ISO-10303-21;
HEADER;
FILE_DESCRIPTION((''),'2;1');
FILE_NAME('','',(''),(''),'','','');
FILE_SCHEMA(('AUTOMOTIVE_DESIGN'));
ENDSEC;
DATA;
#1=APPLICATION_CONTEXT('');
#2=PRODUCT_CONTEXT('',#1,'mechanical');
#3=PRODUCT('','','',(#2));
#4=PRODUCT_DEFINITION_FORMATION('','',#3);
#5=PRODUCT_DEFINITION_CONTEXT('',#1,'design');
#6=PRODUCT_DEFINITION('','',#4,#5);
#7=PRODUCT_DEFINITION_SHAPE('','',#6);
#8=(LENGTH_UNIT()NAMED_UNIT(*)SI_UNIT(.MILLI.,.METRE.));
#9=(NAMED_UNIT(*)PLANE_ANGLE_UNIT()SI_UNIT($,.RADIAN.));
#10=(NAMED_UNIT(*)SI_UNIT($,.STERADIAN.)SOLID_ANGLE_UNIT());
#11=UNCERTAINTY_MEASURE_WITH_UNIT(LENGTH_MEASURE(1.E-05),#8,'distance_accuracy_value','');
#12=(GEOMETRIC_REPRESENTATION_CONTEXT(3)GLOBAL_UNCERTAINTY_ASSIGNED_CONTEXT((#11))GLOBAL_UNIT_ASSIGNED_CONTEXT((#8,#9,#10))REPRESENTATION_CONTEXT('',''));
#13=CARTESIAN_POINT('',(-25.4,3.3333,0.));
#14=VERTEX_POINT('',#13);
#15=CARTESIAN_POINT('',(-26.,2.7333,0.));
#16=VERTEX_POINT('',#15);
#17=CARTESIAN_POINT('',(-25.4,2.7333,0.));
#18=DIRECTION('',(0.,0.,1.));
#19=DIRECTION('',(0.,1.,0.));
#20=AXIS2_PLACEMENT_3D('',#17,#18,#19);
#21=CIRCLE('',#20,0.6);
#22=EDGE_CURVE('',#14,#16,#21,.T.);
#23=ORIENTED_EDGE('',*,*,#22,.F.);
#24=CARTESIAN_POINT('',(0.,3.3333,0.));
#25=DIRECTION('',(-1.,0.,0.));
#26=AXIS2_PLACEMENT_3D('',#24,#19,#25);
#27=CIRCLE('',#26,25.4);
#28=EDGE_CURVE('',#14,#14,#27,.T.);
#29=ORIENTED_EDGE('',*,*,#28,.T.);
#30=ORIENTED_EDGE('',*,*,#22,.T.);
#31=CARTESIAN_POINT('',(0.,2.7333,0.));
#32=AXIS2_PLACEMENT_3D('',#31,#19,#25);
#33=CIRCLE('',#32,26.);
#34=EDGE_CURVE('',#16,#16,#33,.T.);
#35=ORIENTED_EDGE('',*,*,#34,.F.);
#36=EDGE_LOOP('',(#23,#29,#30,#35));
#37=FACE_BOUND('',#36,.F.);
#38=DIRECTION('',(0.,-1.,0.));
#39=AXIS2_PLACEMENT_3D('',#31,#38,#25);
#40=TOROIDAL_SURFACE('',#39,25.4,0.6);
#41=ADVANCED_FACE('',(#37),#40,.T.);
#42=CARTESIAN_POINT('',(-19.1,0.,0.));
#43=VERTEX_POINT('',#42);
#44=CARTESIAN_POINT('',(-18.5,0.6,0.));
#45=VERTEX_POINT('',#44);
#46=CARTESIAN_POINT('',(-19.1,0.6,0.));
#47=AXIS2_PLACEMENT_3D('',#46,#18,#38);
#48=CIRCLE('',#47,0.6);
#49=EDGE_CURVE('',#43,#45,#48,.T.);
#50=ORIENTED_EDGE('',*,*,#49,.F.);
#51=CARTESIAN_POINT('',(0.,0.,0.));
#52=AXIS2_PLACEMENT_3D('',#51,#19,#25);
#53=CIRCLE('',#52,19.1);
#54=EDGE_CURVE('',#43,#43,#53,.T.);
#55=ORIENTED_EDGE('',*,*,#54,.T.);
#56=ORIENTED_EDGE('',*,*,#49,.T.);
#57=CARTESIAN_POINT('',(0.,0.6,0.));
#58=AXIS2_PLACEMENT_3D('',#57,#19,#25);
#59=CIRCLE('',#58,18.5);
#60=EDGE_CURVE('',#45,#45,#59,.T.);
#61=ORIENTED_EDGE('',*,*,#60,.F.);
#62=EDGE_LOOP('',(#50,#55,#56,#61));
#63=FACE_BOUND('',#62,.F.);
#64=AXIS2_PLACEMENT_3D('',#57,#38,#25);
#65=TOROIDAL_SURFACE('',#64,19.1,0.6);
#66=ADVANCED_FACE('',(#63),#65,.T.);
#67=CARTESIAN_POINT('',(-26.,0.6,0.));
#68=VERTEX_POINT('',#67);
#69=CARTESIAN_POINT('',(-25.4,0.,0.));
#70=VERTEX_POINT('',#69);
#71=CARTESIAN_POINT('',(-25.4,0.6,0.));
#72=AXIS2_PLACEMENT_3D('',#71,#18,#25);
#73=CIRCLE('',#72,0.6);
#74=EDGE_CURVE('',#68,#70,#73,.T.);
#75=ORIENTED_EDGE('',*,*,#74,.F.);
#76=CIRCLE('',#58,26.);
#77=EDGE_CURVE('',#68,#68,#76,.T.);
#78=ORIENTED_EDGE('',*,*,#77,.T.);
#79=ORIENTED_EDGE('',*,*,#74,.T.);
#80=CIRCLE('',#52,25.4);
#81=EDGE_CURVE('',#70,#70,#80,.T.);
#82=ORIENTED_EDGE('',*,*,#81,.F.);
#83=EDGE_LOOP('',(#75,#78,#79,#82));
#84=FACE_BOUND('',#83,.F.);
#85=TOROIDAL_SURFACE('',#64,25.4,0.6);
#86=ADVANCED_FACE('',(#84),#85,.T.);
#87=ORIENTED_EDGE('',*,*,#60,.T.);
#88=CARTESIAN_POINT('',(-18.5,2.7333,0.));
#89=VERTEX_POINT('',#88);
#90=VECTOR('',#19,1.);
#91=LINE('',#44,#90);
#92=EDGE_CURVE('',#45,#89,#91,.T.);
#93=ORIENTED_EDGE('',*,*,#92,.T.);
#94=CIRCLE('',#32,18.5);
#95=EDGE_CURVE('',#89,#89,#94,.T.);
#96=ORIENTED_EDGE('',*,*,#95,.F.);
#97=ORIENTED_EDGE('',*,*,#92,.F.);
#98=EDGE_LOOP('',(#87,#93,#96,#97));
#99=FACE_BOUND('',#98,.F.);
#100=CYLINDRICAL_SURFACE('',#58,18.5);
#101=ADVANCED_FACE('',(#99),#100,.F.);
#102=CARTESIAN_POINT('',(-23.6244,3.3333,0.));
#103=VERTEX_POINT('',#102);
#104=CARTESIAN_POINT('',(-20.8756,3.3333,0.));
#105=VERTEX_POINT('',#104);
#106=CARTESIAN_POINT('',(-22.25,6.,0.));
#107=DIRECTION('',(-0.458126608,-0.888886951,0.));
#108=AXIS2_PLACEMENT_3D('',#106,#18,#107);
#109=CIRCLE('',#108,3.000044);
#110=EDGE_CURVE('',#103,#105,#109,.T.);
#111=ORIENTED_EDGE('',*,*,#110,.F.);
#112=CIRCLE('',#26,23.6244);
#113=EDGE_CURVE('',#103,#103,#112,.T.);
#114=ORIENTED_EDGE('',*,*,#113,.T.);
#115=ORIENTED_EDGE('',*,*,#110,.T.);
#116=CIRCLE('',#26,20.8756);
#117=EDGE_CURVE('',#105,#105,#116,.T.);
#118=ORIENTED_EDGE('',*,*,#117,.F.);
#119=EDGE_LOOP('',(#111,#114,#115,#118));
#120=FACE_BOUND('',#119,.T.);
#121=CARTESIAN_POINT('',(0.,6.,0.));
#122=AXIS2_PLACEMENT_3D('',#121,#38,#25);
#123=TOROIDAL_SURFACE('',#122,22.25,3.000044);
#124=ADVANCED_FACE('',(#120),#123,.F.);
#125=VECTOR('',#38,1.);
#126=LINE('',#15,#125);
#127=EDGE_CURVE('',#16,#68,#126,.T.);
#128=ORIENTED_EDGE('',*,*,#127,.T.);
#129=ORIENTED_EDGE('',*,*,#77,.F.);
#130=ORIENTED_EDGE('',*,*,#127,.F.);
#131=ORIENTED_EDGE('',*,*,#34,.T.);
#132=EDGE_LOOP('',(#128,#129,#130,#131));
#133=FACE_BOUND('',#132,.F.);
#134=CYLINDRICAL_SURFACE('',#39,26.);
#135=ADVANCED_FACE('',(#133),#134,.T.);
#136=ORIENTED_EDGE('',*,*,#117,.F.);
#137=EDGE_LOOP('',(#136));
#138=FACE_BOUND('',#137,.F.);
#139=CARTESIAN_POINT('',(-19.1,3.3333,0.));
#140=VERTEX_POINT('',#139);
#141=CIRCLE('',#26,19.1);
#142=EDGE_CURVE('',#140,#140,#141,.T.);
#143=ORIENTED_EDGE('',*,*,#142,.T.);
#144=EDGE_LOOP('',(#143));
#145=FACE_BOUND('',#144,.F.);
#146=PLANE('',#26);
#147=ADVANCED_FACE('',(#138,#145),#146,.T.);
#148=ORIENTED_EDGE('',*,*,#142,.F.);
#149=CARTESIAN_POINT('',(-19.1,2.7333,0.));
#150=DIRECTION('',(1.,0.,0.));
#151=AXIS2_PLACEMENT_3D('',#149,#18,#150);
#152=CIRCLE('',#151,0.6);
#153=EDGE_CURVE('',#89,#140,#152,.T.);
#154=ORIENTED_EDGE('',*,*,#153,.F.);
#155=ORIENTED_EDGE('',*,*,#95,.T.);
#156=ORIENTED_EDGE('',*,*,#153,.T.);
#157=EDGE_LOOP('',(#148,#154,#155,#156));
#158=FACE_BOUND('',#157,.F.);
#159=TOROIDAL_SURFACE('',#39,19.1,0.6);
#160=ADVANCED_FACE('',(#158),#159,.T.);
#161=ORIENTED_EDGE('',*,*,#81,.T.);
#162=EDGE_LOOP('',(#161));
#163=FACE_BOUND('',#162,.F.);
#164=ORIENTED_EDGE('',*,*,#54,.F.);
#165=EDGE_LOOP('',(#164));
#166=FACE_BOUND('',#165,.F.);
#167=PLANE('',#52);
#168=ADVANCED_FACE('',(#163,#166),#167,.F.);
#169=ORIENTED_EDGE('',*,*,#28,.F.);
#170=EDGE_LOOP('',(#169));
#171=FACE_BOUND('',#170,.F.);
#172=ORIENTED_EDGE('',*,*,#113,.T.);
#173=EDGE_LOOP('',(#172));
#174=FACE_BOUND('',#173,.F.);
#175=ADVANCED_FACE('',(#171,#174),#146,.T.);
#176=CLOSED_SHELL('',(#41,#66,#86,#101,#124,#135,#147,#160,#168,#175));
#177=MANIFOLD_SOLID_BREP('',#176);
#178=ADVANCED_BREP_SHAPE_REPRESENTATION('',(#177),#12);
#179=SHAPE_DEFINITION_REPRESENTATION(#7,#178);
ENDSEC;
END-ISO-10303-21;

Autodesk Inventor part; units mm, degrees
sketch "Sketch_1" plane through (0, 0, 0) normal (0, 0, 1) x (0, 1, 0)
  line L0 (3.3333, 0) -> (0, 0)
  arc A0 (0, 19.1) -> (0.6, 18.5) centre (0.6, 19.1) ccw
  line L1 (0.6, 18.5) -> (2.7333, 18.5)
  arc A1 (2.7333, 18.5) -> (3.3333, 19.1) centre (2.7333, 19.1) ccw
  line L2 (3.3333, 19.1) -> (3.3333, 20.8756)
  arc A2 (3.3333, 23.6244) -> (3.3333, 20.8756) centre (6, 22.25) ccw
  line L3 (3.3333, 23.6244) -> (3.3333, 25.4)
  arc A3 (3.3333, 25.4) -> (2.7333, 26) centre (2.7333, 25.4) ccw
  line L4 (2.7333, 26) -> (0.6, 26)
  arc A4 (0.6, 26) -> (0, 25.4) centre (0.6, 25.4) ccw
  line L5 (0, 25.4) -> (0, 19.1)
revolve "Revolution1" add sketch "Sketch_1" angle 360 about axis through (0, 3.3333, 0) along (0, 1, 0)
ref_plane "HW_B_1_XY" through (-22.25, 6, 0) normal (0, 1, 0) x (0, 0, -1)
ref_plane "HW_B_1_YZ" through (-22.25, 6, 0) normal (0, 0, -1) x (-1, 0, 0)
ref_plane "HW_B_1_ZX" through (-22.25, 6, 0) normal (-1, 0, 0) x (0, 1, 0)
ref_plane "HW_B_10_XY" through (22.25, 6, 0) normal (0, 1, 0) x (0, 0, -1)
ref_plane "HW_B_10_YZ" through (22.25, 6, 0) normal (0, 0, -1) x (-1, 0, 0)
ref_plane "HW_B_10_ZX" through (22.25, 6, 0) normal (-1, 0, 0) x (0, 1, 0)
ref_plane "HW_B_11_XY" through (20.9082, 6, -7.6099) normal (0, 1, 0) x (0, 0, -1)
ref_plane "HW_B_11_YZ" through (20.9082, 6, -7.6099) normal (0, 0, -1) x (-1, 0, 0)
ref_plane "HW_B_11_ZX" through (20.9082, 6, -7.6099) normal (-1, 0, 0) x (0, 1, 0)
ref_plane "HW_B_12_XY" through (17.0445, 6, -14.302) normal (0, 1, 0) x (0, 0, -1)
ref_plane "HW_B_12_YZ" through (17.0445, 6, -14.302) normal (0, 0, -1) x (-1, 0, 0)
ref_plane "HW_B_12_ZX" through (17.0445, 6, -14.302) normal (-1, 0, 0) x (0, 1, 0)
ref_plane "HW_B_13_XY" through (11.125, 6, -19.2691) normal (0, 1, 0) x (0, 0, -1)
ref_plane "HW_B_13_YZ" through (11.125, 6, -19.2691) normal (0, 0, -1) x (-1, 0, 0)
ref_plane "HW_B_13_ZX" through (11.125, 6, -19.2691) normal (-1, 0, 0) x (0, 1, 0)
ref_plane "HW_B_14_XY" through (3.8637, 6, -21.912) normal (0, 1, 0) x (0, 0, -1)
ref_plane "HW_B_14_YZ" through (3.8637, 6, -21.912) normal (0, 0, -1) x (-1, 0, 0)
ref_plane "HW_B_14_ZX" through (3.8637, 6, -21.912) normal (-1, 0, 0) x (0, 1, 0)
ref_plane "HW_B_15_XY" through (-3.8637, 6, -21.912) normal (0, 1, 0) x (0, 0, -1)
ref_plane "HW_B_15_YZ" through (-3.8637, 6, -21.912) normal (0, 0, -1) x (-1, 0, 0)
ref_plane "HW_B_15_ZX" through (-3.8637, 6, -21.912) normal (-1, 0, 0) x (0, 1, 0)
ref_plane "HW_B_16_XY" through (-11.125, 6, -19.2691) normal (0, 1, 0) x (0, 0, -1)
ref_plane "HW_B_16_YZ" through (-11.125, 6, -19.2691) normal (0, 0, -1) x (-1, 0, 0)
ref_plane "HW_B_16_ZX" through (-11.125, 6, -19.2691) normal (-1, 0, 0) x (0, 1, 0)
ref_plane "HW_B_17_XY" through (-17.0445, 6, -14.302) normal (0, 1, 0) x (0, 0, -1)
ref_plane "HW_B_17_YZ" through (-17.0445, 6, -14.302) normal (0, 0, -1) x (-1, 0, 0)
ref_plane "HW_B_17_ZX" through (-17.0445, 6, -14.302) normal (-1, 0, 0) x (0, 1, 0)
ref_plane "HW_B_18_XY" through (-20.9082, 6, -7.6099) normal (0, 1, 0) x (0, 0, -1)
ref_plane "HW_B_18_YZ" through (-20.9082, 6, -7.6099) normal (0, 0, -1) x (-1, 0, 0)
ref_plane "HW_B_18_ZX" through (-20.9082, 6, -7.6099) normal (-1, 0, 0) x (0, 1, 0)
ref_plane "HW_B_2_XY" through (-20.9082, 6, 7.6099) normal (0, 1, 0) x (0, 0, -1)
ref_plane "HW_B_2_YZ" through (-20.9082, 6, 7.6099) normal (0, 0, -1) x (-1, 0, 0)
ref_plane "HW_B_2_ZX" through (-20.9082, 6, 7.6099) normal (-1, 0, 0) x (0, 1, 0)
ref_plane "HW_B_3_XY" through (-17.0445, 6, 14.302) normal (0, 1, 0) x (0, 0, -1)
ref_plane "HW_B_3_YZ" through (-17.0445, 6, 14.302) normal (0, 0, -1) x (-1, 0, 0)
ref_plane "HW_B_3_ZX" through (-17.0445, 6, 14.302) normal (-1, 0, 0) x (0, 1, 0)
ref_plane "HW_B_4_XY" through (-11.125, 6, 19.2691) normal (0, 1, 0) x (0, 0, -1)
ref_plane "HW_B_4_YZ" through (-11.125, 6, 19.2691) normal (0, 0, -1) x (-1, 0, 0)
ref_plane "HW_B_4_ZX" through (-11.125, 6, 19.2691) normal (-1, 0, 0) x (0, 1, 0)
ref_plane "HW_B_5_XY" through (-3.8637, 6, 21.912) normal (0, 1, 0) x (0, 0, -1)
ref_plane "HW_B_5_YZ" through (-3.8637, 6, 21.912) normal (0, 0, -1) x (-1, 0, 0)
ref_plane "HW_B_5_ZX" through (-3.8637, 6, 21.912) normal (-1, 0, 0) x (0, 1, 0)
ref_plane "HW_B_6_XY" through (3.8637, 6, 21.912) normal (0, 1, 0) x (0, 0, -1)
ref_plane "HW_B_6_YZ" through (3.8637, 6, 21.912) normal (0, 0, -1) x (-1, 0, 0)
ref_plane "HW_B_6_ZX" through (3.8637, 6, 21.912) normal (-1, 0, 0) x (0, 1, 0)
ref_plane "HW_B_7_XY" through (11.125, 6, 19.2691) normal (0, 1, 0) x (0, 0, -1)
ref_plane "HW_B_7_YZ" through (11.125, 6, 19.2691) normal (0, 0, -1) x (-1, 0, 0)
ref_plane "HW_B_7_ZX" through (11.125, 6, 19.2691) normal (-1, 0, 0) x (0, 1, 0)
ref_plane "HW_B_8_XY" through (17.0445, 6, 14.302) normal (0, 1, 0) x (0, 0, -1)
ref_plane "HW_B_8_YZ" through (17.0445, 6, 14.302) normal (0, 0, -1) x (-1, 0, 0)
ref_plane "HW_B_8_ZX" through (17.0445, 6, 14.302) normal (-1, 0, 0) x (0, 1, 0)
ref_plane "HW_B_9_XY" through (20.9082, 6, 7.6099) normal (0, 1, 0) x (0, 0, -1)
ref_plane "HW_B_9_YZ" through (20.9082, 6, 7.6099) normal (0, 0, -1) x (-1, 0, 0)
ref_plane "HW_B_9_ZX" through (20.9082, 6, 7.6099) normal (-1, 0, 0) x (0, 1, 0)
ref_plane "HW_SW_XY" through (0, 0, 0) normal (0, 1, 0) x (0, 0, -1)
ref_plane "HW_SW_YZ" through (0, 0, 0) normal (0, 0, -1) x (-1, 0, 0)
ref_plane "HW_SW_ZX" through (0, 0, 0) normal (-1, 0, 0) x (0, 1, 0)
properties part number "51107 Housing washer"
